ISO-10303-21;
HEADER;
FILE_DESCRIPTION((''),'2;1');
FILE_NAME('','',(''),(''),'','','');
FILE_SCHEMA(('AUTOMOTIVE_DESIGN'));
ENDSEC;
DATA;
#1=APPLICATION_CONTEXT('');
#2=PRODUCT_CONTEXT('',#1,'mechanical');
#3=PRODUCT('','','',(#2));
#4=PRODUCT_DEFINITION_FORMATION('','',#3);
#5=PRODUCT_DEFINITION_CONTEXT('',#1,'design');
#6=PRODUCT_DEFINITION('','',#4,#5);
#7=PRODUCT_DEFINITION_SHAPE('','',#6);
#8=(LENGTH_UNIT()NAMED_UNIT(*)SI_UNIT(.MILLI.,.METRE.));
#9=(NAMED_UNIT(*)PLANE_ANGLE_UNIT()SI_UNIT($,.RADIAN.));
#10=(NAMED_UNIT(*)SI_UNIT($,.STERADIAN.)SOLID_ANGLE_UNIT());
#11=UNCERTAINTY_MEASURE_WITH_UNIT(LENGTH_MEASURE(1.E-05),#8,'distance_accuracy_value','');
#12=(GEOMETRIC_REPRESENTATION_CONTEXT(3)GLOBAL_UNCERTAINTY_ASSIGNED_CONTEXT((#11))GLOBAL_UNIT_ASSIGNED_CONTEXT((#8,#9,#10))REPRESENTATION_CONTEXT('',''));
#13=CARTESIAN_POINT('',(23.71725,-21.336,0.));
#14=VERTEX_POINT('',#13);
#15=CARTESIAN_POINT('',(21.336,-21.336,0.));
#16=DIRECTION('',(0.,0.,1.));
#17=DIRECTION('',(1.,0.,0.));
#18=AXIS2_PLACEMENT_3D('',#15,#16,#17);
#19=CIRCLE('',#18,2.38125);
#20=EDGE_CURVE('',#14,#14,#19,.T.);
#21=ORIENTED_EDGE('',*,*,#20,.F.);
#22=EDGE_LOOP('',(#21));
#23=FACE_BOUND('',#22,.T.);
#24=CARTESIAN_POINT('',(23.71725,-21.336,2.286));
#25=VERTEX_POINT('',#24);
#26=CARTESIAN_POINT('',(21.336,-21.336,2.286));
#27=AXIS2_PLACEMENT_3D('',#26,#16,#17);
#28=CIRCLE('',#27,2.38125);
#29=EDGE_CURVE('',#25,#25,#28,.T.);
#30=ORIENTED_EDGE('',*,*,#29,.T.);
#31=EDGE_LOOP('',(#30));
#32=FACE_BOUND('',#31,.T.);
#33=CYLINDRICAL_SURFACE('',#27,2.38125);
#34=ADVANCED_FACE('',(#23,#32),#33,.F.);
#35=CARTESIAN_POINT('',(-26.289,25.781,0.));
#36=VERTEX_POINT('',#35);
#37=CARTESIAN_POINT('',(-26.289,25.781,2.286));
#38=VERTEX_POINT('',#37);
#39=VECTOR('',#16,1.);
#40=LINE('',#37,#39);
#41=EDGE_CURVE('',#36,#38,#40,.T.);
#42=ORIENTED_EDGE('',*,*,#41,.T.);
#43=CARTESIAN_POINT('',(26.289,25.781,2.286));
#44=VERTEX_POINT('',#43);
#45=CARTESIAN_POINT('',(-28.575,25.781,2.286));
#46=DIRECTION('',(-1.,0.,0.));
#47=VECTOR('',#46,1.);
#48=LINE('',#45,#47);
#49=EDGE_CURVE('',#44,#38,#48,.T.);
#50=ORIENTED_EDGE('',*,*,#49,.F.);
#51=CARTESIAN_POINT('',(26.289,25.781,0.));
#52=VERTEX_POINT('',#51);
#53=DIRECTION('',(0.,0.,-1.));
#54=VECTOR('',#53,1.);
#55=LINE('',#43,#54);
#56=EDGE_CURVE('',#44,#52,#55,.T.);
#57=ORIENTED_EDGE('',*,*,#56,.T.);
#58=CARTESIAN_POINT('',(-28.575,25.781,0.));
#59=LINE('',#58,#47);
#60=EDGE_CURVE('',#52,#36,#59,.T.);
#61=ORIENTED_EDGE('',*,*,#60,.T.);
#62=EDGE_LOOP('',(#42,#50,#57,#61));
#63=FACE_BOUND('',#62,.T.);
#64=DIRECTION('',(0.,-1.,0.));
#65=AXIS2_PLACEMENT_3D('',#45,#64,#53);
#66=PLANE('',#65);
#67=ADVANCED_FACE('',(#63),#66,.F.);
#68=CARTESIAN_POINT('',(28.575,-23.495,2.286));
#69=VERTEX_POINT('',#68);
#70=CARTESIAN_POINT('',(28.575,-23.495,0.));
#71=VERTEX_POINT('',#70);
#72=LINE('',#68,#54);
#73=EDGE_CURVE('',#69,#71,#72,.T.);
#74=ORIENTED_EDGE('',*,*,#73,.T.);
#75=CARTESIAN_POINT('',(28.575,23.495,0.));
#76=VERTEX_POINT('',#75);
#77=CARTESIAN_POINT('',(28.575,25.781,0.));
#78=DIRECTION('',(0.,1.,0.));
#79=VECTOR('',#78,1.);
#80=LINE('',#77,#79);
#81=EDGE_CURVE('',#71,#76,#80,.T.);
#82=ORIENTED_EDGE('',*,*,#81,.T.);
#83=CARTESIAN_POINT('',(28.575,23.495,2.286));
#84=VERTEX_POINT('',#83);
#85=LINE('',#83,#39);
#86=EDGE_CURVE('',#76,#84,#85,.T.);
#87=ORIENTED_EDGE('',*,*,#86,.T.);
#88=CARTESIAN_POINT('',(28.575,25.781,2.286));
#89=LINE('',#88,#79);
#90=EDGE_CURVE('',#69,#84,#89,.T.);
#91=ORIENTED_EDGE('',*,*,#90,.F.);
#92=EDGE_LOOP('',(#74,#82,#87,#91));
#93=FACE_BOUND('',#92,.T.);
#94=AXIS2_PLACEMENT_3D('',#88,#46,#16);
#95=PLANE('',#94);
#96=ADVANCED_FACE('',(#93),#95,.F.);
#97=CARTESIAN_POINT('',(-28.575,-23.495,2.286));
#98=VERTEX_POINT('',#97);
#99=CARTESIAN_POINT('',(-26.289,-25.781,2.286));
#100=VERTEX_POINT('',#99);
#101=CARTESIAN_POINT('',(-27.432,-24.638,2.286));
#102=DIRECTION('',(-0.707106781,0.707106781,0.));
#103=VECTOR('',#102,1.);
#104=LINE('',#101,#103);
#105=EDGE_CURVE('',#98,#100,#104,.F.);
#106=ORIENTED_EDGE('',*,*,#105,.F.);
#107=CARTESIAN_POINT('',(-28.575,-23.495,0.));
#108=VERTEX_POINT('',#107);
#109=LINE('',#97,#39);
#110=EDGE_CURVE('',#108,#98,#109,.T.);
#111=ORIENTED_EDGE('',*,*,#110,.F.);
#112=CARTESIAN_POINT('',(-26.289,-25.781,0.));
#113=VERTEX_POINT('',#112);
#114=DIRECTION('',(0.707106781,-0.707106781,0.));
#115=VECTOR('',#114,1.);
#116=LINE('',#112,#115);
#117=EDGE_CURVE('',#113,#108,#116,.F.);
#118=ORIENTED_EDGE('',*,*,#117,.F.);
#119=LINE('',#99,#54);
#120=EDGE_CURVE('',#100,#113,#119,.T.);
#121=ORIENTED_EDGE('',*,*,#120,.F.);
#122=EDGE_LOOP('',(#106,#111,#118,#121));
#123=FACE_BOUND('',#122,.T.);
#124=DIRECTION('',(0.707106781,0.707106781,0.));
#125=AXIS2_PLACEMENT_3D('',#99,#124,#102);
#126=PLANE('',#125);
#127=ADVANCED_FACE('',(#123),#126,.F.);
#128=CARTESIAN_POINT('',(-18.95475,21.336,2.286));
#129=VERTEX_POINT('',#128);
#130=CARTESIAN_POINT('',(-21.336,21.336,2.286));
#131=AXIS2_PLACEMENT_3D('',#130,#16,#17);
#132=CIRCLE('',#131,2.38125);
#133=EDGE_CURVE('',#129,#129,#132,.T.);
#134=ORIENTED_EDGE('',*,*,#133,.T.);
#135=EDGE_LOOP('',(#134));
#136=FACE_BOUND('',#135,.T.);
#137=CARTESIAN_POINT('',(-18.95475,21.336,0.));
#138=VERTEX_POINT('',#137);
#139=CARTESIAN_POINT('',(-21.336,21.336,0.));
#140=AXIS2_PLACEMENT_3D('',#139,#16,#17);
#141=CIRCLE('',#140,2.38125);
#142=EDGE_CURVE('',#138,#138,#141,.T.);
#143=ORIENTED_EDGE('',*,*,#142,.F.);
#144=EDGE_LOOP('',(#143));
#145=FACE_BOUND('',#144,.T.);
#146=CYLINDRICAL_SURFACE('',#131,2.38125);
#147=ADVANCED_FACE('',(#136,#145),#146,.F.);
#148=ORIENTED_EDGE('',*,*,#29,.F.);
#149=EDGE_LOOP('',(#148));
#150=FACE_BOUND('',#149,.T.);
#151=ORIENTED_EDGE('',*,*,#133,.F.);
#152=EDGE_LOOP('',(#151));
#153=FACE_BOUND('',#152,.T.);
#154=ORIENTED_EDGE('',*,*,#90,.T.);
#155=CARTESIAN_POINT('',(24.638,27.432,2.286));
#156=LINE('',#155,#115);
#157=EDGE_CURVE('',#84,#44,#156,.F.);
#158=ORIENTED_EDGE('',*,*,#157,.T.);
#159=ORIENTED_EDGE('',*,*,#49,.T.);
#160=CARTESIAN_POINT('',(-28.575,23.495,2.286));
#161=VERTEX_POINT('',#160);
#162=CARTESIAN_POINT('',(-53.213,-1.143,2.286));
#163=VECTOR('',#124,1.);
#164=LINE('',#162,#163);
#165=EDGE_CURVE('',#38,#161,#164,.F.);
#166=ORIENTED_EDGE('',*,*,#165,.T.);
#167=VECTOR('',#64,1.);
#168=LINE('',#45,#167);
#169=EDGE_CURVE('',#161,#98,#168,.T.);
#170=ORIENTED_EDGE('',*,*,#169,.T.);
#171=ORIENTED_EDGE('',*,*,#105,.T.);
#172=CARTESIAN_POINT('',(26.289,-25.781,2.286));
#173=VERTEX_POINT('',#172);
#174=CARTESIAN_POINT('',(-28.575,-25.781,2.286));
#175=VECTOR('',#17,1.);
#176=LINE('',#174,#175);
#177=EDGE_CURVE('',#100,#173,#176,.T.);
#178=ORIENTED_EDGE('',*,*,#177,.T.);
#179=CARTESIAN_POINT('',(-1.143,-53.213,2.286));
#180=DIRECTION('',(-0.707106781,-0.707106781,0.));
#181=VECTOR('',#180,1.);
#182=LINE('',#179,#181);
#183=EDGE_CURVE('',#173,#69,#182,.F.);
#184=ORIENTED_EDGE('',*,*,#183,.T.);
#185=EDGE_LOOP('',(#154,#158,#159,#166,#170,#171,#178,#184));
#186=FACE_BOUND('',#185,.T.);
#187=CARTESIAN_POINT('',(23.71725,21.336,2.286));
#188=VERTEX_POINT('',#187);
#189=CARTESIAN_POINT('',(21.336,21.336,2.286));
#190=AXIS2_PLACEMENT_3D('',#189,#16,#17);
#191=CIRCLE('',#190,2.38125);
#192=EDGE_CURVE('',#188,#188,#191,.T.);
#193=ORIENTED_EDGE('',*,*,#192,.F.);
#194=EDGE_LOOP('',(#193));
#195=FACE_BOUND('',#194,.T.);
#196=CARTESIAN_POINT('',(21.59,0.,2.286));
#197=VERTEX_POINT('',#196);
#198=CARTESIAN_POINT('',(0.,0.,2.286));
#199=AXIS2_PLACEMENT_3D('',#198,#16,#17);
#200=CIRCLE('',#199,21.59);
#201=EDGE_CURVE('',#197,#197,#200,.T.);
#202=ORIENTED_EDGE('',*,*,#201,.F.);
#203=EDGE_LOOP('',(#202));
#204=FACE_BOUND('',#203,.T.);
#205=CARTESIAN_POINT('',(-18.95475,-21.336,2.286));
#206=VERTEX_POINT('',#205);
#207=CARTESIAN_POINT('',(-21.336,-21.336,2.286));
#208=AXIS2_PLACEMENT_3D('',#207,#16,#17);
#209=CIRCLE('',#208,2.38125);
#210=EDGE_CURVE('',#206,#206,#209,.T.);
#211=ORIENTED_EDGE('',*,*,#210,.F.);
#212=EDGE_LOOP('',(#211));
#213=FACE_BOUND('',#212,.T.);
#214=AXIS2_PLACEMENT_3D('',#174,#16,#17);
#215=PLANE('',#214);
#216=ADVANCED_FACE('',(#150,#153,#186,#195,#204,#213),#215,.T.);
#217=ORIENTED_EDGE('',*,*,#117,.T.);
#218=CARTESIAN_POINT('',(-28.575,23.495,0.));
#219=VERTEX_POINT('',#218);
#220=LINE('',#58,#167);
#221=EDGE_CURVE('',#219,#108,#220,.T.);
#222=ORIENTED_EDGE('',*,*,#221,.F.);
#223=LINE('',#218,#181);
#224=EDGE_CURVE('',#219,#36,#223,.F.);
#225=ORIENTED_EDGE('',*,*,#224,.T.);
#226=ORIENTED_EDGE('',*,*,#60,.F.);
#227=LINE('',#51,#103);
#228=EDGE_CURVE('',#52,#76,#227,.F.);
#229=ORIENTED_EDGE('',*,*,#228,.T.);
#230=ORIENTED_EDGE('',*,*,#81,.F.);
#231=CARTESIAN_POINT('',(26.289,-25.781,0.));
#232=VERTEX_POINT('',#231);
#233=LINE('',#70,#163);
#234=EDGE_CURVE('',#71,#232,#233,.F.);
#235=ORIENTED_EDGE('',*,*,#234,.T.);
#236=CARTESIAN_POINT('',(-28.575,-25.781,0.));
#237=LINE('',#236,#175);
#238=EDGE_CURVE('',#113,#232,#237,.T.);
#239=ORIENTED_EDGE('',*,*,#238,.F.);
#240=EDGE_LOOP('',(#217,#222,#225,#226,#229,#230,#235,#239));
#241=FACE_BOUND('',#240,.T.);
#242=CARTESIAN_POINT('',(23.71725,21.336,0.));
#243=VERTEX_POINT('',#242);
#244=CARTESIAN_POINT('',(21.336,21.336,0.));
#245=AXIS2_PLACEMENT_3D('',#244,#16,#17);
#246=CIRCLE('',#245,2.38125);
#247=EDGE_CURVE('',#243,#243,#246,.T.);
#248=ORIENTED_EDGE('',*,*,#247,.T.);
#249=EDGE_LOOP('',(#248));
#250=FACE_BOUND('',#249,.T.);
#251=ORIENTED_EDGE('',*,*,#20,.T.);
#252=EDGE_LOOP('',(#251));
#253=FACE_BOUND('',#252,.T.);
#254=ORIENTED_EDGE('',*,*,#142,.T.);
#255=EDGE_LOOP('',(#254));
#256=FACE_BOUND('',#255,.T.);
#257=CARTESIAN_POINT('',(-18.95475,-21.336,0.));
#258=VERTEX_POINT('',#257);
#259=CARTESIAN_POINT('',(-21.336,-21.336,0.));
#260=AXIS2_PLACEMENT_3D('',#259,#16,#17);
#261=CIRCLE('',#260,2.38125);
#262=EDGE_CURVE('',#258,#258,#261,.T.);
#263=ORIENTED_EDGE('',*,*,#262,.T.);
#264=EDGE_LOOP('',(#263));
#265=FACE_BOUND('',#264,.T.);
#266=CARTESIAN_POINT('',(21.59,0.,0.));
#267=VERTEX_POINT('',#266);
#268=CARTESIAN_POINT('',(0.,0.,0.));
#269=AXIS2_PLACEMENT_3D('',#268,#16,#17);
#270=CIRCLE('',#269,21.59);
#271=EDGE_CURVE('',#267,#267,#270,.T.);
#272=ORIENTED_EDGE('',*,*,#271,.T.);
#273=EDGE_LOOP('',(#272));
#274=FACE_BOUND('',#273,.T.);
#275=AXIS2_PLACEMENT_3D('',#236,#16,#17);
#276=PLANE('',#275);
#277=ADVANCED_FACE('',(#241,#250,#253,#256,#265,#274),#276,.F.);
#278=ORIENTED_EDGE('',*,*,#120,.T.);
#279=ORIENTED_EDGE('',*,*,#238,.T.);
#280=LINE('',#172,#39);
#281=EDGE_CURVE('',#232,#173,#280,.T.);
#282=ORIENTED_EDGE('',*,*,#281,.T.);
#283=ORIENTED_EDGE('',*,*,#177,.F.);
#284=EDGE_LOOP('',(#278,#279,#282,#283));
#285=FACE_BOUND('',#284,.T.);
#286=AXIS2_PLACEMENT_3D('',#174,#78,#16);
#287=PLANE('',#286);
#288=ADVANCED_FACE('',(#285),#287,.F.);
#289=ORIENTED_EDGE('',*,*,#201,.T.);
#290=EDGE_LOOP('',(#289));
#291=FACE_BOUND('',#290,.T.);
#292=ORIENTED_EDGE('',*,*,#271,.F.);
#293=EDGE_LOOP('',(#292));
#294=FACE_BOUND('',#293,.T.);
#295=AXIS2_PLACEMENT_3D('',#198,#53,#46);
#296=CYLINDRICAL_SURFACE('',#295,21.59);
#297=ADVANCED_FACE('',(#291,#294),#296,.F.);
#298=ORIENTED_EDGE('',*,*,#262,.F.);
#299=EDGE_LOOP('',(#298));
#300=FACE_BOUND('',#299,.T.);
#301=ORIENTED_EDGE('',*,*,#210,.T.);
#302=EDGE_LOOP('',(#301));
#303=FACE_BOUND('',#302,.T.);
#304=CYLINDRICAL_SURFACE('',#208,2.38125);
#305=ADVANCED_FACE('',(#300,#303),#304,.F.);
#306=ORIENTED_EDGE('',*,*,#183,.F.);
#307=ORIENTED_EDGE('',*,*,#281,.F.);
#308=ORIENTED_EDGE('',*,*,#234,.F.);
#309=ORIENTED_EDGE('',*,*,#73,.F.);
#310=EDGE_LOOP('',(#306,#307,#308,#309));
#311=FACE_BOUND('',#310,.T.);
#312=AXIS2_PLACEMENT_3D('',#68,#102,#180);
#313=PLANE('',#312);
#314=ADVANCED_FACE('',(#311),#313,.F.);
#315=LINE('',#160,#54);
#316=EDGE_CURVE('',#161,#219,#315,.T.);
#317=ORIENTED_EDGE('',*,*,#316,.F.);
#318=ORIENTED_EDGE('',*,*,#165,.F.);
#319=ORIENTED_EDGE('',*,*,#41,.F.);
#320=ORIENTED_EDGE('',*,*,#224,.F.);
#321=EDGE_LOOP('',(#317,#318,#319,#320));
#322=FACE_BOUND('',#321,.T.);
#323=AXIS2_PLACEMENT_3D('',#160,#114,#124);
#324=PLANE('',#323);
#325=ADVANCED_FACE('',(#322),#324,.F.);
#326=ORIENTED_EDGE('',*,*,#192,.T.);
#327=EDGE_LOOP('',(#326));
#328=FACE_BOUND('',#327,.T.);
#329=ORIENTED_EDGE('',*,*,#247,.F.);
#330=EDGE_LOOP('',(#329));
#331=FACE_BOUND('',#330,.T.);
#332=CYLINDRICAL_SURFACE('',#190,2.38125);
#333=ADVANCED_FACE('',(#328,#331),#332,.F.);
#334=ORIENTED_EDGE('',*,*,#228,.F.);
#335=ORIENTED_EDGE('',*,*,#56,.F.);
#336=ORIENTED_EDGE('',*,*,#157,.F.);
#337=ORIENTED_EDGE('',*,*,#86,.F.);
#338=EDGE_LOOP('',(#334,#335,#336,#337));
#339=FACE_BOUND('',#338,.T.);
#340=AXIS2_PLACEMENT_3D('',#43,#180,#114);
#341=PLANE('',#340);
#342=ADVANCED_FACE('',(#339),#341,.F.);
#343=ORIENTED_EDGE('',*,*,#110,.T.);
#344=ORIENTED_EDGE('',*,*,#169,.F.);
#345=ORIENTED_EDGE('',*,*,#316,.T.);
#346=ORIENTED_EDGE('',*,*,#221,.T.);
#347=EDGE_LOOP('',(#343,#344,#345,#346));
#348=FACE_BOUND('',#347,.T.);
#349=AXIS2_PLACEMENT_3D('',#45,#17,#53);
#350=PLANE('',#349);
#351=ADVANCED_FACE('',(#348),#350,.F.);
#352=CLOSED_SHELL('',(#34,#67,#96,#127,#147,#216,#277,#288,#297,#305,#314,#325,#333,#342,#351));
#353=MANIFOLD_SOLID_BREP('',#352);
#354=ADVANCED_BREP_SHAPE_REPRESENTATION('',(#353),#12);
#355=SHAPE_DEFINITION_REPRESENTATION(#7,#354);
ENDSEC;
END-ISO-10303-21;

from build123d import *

# Parameters (mm, degrees)
SKETCH1_W                      = 57.15
SKETCH1_H                      = 51.562
SKETCH1_R                      = 21.59
BOSS_EXTRUDE1_DEPTH            = 2.286
F_3_16_0_1875_DIAMETER_HOLE1_D = 4.7625
CHAMFER1_SIZE                  = 2.286


with BuildPart() as part:
    # Sketch1 → Boss-Extrude1 (new body)
    with BuildSketch(Plane.XY):
        Rectangle(SKETCH1_W, SKETCH1_H)
        Circle(SKETCH1_R, mode=Mode.SUBTRACT)
    extrude(amount=BOSS_EXTRUDE1_DEPTH)

    # 3/16 (0.1875) Diameter Hole1 (through all)
    with Locations(Plane.XY.offset(2.286)):
        with Locations((21.336, 21.336), (-21.336, 21.336), (-21.336, -21.336), (21.336, -21.336)):
            Hole(F_3_16_0_1875_DIAMETER_HOLE1_D / 2)

    # Chamfer1
    chamfer1_edges = [part.edges().sort_by_distance(p)[0] for p in [
        (-28.575, 25.781, 1.143),
        (28.575, 25.781, 1.143),
        (28.575, -25.781, 1.143),
        (-28.575, -25.781, 1.143),
    ]]
    chamfer(chamfer1_edges, length=CHAMFER1_SIZE)


solid = part.part
